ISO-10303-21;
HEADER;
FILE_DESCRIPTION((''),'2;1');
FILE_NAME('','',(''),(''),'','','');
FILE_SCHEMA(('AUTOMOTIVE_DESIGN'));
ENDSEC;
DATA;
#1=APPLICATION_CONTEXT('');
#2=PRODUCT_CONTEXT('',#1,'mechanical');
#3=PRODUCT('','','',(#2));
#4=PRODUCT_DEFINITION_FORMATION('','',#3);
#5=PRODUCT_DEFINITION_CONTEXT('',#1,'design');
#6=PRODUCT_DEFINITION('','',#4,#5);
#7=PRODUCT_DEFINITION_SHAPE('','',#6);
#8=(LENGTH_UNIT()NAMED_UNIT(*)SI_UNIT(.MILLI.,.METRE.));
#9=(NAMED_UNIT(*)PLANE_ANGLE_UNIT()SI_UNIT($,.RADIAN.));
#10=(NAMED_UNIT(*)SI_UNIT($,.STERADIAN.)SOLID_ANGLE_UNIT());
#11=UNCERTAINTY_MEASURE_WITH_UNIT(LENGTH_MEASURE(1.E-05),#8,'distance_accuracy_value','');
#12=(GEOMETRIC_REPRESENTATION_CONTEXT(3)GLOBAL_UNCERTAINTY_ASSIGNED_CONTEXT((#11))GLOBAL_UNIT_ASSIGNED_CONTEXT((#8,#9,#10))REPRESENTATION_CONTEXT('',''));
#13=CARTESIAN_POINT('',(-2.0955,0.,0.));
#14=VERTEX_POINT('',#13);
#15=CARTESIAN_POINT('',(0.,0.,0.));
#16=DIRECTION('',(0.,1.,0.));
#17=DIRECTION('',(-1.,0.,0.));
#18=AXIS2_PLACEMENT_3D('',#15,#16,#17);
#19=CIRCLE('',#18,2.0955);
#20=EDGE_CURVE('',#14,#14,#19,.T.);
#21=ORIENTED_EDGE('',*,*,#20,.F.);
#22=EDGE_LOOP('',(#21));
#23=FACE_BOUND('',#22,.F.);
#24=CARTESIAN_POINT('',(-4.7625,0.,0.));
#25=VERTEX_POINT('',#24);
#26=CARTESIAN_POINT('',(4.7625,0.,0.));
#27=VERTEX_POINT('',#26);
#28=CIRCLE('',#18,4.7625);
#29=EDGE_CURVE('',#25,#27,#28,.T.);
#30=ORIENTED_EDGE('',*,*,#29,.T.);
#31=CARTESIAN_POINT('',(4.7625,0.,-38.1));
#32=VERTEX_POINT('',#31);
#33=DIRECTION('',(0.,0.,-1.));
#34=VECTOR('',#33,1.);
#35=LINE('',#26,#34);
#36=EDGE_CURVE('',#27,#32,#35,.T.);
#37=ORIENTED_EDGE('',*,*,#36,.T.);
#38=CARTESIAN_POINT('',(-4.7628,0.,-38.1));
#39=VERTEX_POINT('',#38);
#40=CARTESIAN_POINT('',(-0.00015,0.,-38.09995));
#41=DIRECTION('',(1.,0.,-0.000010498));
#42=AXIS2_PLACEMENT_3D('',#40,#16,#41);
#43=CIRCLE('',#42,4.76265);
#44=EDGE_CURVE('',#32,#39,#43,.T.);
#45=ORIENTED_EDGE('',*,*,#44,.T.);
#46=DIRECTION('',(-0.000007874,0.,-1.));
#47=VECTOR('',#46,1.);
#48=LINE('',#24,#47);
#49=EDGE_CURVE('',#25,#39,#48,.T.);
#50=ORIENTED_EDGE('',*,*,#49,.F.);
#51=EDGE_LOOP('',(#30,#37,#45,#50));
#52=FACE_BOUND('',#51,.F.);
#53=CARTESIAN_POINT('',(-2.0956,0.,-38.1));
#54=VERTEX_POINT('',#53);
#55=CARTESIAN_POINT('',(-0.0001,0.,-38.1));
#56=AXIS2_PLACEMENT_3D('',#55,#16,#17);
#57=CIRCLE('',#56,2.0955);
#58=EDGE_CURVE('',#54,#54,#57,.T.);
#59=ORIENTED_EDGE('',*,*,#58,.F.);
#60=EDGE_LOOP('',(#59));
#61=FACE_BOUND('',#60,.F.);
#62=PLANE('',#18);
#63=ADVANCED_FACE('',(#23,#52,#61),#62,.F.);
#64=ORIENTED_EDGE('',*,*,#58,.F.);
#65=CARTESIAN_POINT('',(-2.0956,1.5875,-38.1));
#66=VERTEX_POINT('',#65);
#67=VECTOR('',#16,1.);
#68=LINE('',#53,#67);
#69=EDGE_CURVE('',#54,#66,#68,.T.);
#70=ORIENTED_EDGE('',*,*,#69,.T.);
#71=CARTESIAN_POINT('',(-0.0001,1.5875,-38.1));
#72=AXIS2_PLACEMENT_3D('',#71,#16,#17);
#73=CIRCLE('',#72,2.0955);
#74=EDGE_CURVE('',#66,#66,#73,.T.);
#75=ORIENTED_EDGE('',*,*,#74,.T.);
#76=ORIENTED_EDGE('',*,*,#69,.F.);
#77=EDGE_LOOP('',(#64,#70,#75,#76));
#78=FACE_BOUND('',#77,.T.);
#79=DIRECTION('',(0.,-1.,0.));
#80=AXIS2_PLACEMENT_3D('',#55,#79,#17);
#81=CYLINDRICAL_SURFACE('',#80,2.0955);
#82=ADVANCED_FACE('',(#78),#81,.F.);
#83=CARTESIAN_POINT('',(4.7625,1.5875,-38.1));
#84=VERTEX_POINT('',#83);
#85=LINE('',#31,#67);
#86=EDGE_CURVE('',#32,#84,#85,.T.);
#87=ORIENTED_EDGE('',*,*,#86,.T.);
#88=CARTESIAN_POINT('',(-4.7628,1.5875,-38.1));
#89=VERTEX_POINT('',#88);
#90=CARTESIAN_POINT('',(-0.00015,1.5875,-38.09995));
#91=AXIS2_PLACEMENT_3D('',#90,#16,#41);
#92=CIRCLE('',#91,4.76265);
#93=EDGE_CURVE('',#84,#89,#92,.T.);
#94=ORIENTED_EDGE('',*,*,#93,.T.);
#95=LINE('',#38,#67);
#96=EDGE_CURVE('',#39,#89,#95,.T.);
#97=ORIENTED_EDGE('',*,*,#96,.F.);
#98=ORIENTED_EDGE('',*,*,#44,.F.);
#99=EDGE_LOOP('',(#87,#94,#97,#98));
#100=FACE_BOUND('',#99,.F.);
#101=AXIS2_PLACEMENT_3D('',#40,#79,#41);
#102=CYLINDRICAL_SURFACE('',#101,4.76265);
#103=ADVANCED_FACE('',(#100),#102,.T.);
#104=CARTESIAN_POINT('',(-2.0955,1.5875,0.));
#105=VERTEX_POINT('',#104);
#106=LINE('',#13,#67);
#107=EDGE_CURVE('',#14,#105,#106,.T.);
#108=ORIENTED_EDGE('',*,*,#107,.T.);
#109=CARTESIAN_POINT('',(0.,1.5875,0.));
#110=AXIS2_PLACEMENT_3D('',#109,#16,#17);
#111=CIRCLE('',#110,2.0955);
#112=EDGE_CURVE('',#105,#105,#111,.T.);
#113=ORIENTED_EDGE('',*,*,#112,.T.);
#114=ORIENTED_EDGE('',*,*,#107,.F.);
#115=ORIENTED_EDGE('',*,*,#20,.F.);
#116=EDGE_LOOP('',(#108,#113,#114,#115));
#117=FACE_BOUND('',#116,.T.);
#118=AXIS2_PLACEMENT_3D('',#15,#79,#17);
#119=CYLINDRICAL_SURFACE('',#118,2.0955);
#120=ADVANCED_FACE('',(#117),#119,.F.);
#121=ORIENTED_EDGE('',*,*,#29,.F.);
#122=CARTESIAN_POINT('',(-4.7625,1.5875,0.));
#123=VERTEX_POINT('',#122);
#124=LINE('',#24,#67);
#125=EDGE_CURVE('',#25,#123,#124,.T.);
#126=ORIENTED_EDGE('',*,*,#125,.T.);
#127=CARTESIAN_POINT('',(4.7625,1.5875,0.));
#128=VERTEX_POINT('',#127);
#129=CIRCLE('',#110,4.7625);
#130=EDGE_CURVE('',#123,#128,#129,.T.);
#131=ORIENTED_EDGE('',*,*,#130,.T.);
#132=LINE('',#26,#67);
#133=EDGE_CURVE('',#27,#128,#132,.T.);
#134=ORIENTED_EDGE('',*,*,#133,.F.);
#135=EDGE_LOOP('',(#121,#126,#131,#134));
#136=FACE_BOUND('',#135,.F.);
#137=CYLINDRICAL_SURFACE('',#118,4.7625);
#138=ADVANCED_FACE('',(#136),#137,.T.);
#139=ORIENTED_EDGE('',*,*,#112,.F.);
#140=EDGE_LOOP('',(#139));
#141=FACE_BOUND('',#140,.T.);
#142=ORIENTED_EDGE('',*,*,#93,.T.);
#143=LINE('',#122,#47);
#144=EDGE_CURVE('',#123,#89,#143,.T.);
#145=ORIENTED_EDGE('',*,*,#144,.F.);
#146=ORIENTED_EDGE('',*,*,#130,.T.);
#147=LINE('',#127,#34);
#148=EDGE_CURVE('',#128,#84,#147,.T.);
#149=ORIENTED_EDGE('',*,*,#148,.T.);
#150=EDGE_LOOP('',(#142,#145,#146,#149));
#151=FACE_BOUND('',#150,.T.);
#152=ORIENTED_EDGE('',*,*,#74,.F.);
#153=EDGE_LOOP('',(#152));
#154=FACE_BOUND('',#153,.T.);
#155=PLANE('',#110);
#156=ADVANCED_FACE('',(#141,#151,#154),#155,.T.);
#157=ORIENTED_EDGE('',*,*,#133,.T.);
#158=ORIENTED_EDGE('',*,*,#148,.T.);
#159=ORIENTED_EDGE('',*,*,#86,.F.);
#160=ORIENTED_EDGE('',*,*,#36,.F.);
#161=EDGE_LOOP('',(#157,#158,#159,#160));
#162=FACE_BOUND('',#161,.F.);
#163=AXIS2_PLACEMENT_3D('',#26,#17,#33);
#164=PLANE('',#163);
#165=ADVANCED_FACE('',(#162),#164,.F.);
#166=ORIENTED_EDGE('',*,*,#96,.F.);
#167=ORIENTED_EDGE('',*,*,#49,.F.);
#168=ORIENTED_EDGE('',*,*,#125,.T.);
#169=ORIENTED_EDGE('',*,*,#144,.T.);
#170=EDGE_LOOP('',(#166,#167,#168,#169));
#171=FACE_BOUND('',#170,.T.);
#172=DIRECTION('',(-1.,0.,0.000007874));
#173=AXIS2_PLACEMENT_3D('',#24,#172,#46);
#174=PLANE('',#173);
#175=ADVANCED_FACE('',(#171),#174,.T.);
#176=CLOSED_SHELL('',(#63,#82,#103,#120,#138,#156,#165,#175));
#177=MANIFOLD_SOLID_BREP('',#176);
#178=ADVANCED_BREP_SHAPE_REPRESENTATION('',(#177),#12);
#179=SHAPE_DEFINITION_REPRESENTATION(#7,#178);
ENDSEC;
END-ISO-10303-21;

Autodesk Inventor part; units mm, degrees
ref_plane "YZ Plane" through (0, 0, 0) normal (1, 0, 0) x (0, 1, 0)
ref_plane "XZ Plane" through (0, 0, 0) normal (0, 1, 0) x (-1, 0, 0)
ref_plane "XY Plane" through (0, 0, 0) normal (0, 0, 1) x (1, 0, 0)
sketch "Sketch2" plane through (0, 0, 0) normal (0, 1, 0) x (-1, 0, 0)
  circle A0 centre (0, 0) radius 2.0955
  arc A1 (-4.7625, 0) -> (-4.7625, 0) centre (0, 0) ccw
  circle A2 centre (0.0001, -38.1) radius 2.0955
  arc A3 (-4.7625, -38.1) -> (4.7628, -38.1) centre (0.0001, -38.1) ccw
  line L0 (4.7625, 0) -> (4.7628, -38.1)
  line L1 (-4.7625, 0) -> (-4.7625, -38.1)
  arc A4 (4.7625, 0) -> (-4.7625, 0) centre (0, 0) ccw
  dimension "d0" = 4.191
  dimension "d1" = 2.667
  dimension "d2" = 4.191
  dimension "d5" = 38.1
extrude "Extrusion1" add sketch "Sketch2" along normal blind 1.5875
properties part number "straight_gusset" material "Acetal Resin, White"
